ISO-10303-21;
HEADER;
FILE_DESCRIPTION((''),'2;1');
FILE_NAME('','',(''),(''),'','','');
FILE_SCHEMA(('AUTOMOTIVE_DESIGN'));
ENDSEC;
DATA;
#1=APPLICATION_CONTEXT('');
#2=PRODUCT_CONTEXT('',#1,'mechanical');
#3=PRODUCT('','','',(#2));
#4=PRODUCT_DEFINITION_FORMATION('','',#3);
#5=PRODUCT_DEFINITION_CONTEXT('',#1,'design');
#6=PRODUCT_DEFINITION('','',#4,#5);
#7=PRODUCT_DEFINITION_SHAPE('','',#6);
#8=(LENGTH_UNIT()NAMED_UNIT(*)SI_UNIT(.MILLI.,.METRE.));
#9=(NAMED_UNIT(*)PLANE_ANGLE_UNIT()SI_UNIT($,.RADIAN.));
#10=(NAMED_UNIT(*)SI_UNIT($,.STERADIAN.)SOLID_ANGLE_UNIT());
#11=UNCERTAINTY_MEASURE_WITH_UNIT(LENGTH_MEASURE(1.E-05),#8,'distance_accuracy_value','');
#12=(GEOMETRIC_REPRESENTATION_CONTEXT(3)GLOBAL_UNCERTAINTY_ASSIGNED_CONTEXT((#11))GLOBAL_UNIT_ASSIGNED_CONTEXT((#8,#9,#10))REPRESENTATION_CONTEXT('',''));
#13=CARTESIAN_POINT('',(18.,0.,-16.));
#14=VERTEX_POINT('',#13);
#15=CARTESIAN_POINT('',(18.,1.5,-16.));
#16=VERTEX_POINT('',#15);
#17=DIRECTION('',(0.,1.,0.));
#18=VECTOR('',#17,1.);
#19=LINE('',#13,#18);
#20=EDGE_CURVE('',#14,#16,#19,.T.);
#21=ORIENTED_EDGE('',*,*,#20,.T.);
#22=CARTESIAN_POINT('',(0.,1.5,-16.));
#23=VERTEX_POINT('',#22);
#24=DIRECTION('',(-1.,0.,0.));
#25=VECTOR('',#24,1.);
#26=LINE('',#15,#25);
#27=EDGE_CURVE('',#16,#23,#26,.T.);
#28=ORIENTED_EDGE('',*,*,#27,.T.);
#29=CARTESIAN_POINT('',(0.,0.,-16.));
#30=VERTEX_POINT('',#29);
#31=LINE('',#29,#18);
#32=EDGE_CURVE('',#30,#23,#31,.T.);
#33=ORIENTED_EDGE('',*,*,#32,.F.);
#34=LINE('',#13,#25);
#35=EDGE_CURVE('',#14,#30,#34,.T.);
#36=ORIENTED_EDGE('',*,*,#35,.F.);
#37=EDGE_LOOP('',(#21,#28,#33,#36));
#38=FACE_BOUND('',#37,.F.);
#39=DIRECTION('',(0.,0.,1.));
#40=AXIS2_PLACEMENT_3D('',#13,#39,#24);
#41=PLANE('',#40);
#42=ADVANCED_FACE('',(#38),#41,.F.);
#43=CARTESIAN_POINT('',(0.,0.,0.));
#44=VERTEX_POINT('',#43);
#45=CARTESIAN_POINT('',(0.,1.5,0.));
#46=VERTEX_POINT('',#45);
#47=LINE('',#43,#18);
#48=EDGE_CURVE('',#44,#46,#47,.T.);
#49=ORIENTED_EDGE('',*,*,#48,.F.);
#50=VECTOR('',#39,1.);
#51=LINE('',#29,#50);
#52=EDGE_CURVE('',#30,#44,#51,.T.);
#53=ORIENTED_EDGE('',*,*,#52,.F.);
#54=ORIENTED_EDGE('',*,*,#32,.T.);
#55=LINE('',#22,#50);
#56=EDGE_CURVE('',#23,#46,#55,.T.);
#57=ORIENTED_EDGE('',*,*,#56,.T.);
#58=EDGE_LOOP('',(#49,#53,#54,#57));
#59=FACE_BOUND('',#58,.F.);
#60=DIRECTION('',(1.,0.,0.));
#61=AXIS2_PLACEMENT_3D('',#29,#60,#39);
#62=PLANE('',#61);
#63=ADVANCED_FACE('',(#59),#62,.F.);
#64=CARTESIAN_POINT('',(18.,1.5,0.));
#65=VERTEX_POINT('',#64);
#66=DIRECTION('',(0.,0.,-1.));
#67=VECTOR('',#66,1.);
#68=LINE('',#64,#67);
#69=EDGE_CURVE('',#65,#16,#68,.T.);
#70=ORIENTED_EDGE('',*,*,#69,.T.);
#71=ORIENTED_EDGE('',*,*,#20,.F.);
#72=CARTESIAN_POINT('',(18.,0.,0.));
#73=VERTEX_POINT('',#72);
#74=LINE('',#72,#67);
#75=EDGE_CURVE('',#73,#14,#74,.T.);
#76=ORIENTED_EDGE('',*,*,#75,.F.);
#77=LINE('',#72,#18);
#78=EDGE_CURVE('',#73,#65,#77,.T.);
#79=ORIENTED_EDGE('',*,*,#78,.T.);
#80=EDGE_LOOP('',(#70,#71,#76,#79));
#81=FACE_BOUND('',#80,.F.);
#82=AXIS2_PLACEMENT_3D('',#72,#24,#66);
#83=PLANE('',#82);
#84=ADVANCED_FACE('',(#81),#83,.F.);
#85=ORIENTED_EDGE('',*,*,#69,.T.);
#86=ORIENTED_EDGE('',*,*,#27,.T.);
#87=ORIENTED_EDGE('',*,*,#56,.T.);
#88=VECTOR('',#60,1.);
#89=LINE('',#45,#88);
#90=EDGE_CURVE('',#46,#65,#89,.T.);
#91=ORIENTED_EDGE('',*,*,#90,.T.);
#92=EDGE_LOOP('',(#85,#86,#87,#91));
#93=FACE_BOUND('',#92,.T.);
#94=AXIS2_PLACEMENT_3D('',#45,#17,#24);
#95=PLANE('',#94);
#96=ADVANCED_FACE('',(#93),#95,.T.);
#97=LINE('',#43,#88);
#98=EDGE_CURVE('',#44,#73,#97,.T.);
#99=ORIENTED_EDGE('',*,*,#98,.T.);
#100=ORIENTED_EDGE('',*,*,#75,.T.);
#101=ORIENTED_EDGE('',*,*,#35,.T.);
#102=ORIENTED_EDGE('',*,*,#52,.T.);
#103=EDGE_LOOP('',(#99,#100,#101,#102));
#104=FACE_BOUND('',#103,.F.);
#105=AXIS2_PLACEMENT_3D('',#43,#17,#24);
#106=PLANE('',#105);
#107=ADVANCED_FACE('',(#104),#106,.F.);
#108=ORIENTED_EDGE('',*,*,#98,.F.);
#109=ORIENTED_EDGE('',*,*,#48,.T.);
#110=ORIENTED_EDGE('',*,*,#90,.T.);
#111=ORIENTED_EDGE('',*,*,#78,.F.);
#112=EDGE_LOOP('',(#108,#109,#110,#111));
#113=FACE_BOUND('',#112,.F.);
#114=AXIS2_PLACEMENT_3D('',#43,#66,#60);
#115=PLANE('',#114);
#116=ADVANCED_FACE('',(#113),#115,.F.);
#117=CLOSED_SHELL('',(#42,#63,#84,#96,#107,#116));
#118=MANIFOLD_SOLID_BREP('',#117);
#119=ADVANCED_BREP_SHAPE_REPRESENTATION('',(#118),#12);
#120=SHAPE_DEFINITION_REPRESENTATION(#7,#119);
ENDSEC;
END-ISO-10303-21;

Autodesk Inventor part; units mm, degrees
ref_plane "YZ Plane" through (0, 0, 0) normal (1, 0, 0) x (0, 1, 0)
ref_plane "XZ Plane" through (0, 0, 0) normal (0, 1, 0) x (-1, 0, 0)
ref_plane "XY Plane" through (0, 0, 0) normal (0, 0, 1) x (1, 0, 0)
sketch "Esboço1" plane through (0, 0, 0) normal (0, 1, 0) x (-1, 0, 0)
  line L0 (0, 0) -> (-18, 0)
  line L1 (-18, 0) -> (-18, -16)
  line L2 (-18, -16) -> (0, -16)
  line L3 (0, -16) -> (0, 0)
  dimension "d0" = 18
  dimension "d1" = 16
extrude "Extrusão1" add sketch "Esboço1" along normal blind 1.5
properties part number "Tampa-led_3DPrint"
